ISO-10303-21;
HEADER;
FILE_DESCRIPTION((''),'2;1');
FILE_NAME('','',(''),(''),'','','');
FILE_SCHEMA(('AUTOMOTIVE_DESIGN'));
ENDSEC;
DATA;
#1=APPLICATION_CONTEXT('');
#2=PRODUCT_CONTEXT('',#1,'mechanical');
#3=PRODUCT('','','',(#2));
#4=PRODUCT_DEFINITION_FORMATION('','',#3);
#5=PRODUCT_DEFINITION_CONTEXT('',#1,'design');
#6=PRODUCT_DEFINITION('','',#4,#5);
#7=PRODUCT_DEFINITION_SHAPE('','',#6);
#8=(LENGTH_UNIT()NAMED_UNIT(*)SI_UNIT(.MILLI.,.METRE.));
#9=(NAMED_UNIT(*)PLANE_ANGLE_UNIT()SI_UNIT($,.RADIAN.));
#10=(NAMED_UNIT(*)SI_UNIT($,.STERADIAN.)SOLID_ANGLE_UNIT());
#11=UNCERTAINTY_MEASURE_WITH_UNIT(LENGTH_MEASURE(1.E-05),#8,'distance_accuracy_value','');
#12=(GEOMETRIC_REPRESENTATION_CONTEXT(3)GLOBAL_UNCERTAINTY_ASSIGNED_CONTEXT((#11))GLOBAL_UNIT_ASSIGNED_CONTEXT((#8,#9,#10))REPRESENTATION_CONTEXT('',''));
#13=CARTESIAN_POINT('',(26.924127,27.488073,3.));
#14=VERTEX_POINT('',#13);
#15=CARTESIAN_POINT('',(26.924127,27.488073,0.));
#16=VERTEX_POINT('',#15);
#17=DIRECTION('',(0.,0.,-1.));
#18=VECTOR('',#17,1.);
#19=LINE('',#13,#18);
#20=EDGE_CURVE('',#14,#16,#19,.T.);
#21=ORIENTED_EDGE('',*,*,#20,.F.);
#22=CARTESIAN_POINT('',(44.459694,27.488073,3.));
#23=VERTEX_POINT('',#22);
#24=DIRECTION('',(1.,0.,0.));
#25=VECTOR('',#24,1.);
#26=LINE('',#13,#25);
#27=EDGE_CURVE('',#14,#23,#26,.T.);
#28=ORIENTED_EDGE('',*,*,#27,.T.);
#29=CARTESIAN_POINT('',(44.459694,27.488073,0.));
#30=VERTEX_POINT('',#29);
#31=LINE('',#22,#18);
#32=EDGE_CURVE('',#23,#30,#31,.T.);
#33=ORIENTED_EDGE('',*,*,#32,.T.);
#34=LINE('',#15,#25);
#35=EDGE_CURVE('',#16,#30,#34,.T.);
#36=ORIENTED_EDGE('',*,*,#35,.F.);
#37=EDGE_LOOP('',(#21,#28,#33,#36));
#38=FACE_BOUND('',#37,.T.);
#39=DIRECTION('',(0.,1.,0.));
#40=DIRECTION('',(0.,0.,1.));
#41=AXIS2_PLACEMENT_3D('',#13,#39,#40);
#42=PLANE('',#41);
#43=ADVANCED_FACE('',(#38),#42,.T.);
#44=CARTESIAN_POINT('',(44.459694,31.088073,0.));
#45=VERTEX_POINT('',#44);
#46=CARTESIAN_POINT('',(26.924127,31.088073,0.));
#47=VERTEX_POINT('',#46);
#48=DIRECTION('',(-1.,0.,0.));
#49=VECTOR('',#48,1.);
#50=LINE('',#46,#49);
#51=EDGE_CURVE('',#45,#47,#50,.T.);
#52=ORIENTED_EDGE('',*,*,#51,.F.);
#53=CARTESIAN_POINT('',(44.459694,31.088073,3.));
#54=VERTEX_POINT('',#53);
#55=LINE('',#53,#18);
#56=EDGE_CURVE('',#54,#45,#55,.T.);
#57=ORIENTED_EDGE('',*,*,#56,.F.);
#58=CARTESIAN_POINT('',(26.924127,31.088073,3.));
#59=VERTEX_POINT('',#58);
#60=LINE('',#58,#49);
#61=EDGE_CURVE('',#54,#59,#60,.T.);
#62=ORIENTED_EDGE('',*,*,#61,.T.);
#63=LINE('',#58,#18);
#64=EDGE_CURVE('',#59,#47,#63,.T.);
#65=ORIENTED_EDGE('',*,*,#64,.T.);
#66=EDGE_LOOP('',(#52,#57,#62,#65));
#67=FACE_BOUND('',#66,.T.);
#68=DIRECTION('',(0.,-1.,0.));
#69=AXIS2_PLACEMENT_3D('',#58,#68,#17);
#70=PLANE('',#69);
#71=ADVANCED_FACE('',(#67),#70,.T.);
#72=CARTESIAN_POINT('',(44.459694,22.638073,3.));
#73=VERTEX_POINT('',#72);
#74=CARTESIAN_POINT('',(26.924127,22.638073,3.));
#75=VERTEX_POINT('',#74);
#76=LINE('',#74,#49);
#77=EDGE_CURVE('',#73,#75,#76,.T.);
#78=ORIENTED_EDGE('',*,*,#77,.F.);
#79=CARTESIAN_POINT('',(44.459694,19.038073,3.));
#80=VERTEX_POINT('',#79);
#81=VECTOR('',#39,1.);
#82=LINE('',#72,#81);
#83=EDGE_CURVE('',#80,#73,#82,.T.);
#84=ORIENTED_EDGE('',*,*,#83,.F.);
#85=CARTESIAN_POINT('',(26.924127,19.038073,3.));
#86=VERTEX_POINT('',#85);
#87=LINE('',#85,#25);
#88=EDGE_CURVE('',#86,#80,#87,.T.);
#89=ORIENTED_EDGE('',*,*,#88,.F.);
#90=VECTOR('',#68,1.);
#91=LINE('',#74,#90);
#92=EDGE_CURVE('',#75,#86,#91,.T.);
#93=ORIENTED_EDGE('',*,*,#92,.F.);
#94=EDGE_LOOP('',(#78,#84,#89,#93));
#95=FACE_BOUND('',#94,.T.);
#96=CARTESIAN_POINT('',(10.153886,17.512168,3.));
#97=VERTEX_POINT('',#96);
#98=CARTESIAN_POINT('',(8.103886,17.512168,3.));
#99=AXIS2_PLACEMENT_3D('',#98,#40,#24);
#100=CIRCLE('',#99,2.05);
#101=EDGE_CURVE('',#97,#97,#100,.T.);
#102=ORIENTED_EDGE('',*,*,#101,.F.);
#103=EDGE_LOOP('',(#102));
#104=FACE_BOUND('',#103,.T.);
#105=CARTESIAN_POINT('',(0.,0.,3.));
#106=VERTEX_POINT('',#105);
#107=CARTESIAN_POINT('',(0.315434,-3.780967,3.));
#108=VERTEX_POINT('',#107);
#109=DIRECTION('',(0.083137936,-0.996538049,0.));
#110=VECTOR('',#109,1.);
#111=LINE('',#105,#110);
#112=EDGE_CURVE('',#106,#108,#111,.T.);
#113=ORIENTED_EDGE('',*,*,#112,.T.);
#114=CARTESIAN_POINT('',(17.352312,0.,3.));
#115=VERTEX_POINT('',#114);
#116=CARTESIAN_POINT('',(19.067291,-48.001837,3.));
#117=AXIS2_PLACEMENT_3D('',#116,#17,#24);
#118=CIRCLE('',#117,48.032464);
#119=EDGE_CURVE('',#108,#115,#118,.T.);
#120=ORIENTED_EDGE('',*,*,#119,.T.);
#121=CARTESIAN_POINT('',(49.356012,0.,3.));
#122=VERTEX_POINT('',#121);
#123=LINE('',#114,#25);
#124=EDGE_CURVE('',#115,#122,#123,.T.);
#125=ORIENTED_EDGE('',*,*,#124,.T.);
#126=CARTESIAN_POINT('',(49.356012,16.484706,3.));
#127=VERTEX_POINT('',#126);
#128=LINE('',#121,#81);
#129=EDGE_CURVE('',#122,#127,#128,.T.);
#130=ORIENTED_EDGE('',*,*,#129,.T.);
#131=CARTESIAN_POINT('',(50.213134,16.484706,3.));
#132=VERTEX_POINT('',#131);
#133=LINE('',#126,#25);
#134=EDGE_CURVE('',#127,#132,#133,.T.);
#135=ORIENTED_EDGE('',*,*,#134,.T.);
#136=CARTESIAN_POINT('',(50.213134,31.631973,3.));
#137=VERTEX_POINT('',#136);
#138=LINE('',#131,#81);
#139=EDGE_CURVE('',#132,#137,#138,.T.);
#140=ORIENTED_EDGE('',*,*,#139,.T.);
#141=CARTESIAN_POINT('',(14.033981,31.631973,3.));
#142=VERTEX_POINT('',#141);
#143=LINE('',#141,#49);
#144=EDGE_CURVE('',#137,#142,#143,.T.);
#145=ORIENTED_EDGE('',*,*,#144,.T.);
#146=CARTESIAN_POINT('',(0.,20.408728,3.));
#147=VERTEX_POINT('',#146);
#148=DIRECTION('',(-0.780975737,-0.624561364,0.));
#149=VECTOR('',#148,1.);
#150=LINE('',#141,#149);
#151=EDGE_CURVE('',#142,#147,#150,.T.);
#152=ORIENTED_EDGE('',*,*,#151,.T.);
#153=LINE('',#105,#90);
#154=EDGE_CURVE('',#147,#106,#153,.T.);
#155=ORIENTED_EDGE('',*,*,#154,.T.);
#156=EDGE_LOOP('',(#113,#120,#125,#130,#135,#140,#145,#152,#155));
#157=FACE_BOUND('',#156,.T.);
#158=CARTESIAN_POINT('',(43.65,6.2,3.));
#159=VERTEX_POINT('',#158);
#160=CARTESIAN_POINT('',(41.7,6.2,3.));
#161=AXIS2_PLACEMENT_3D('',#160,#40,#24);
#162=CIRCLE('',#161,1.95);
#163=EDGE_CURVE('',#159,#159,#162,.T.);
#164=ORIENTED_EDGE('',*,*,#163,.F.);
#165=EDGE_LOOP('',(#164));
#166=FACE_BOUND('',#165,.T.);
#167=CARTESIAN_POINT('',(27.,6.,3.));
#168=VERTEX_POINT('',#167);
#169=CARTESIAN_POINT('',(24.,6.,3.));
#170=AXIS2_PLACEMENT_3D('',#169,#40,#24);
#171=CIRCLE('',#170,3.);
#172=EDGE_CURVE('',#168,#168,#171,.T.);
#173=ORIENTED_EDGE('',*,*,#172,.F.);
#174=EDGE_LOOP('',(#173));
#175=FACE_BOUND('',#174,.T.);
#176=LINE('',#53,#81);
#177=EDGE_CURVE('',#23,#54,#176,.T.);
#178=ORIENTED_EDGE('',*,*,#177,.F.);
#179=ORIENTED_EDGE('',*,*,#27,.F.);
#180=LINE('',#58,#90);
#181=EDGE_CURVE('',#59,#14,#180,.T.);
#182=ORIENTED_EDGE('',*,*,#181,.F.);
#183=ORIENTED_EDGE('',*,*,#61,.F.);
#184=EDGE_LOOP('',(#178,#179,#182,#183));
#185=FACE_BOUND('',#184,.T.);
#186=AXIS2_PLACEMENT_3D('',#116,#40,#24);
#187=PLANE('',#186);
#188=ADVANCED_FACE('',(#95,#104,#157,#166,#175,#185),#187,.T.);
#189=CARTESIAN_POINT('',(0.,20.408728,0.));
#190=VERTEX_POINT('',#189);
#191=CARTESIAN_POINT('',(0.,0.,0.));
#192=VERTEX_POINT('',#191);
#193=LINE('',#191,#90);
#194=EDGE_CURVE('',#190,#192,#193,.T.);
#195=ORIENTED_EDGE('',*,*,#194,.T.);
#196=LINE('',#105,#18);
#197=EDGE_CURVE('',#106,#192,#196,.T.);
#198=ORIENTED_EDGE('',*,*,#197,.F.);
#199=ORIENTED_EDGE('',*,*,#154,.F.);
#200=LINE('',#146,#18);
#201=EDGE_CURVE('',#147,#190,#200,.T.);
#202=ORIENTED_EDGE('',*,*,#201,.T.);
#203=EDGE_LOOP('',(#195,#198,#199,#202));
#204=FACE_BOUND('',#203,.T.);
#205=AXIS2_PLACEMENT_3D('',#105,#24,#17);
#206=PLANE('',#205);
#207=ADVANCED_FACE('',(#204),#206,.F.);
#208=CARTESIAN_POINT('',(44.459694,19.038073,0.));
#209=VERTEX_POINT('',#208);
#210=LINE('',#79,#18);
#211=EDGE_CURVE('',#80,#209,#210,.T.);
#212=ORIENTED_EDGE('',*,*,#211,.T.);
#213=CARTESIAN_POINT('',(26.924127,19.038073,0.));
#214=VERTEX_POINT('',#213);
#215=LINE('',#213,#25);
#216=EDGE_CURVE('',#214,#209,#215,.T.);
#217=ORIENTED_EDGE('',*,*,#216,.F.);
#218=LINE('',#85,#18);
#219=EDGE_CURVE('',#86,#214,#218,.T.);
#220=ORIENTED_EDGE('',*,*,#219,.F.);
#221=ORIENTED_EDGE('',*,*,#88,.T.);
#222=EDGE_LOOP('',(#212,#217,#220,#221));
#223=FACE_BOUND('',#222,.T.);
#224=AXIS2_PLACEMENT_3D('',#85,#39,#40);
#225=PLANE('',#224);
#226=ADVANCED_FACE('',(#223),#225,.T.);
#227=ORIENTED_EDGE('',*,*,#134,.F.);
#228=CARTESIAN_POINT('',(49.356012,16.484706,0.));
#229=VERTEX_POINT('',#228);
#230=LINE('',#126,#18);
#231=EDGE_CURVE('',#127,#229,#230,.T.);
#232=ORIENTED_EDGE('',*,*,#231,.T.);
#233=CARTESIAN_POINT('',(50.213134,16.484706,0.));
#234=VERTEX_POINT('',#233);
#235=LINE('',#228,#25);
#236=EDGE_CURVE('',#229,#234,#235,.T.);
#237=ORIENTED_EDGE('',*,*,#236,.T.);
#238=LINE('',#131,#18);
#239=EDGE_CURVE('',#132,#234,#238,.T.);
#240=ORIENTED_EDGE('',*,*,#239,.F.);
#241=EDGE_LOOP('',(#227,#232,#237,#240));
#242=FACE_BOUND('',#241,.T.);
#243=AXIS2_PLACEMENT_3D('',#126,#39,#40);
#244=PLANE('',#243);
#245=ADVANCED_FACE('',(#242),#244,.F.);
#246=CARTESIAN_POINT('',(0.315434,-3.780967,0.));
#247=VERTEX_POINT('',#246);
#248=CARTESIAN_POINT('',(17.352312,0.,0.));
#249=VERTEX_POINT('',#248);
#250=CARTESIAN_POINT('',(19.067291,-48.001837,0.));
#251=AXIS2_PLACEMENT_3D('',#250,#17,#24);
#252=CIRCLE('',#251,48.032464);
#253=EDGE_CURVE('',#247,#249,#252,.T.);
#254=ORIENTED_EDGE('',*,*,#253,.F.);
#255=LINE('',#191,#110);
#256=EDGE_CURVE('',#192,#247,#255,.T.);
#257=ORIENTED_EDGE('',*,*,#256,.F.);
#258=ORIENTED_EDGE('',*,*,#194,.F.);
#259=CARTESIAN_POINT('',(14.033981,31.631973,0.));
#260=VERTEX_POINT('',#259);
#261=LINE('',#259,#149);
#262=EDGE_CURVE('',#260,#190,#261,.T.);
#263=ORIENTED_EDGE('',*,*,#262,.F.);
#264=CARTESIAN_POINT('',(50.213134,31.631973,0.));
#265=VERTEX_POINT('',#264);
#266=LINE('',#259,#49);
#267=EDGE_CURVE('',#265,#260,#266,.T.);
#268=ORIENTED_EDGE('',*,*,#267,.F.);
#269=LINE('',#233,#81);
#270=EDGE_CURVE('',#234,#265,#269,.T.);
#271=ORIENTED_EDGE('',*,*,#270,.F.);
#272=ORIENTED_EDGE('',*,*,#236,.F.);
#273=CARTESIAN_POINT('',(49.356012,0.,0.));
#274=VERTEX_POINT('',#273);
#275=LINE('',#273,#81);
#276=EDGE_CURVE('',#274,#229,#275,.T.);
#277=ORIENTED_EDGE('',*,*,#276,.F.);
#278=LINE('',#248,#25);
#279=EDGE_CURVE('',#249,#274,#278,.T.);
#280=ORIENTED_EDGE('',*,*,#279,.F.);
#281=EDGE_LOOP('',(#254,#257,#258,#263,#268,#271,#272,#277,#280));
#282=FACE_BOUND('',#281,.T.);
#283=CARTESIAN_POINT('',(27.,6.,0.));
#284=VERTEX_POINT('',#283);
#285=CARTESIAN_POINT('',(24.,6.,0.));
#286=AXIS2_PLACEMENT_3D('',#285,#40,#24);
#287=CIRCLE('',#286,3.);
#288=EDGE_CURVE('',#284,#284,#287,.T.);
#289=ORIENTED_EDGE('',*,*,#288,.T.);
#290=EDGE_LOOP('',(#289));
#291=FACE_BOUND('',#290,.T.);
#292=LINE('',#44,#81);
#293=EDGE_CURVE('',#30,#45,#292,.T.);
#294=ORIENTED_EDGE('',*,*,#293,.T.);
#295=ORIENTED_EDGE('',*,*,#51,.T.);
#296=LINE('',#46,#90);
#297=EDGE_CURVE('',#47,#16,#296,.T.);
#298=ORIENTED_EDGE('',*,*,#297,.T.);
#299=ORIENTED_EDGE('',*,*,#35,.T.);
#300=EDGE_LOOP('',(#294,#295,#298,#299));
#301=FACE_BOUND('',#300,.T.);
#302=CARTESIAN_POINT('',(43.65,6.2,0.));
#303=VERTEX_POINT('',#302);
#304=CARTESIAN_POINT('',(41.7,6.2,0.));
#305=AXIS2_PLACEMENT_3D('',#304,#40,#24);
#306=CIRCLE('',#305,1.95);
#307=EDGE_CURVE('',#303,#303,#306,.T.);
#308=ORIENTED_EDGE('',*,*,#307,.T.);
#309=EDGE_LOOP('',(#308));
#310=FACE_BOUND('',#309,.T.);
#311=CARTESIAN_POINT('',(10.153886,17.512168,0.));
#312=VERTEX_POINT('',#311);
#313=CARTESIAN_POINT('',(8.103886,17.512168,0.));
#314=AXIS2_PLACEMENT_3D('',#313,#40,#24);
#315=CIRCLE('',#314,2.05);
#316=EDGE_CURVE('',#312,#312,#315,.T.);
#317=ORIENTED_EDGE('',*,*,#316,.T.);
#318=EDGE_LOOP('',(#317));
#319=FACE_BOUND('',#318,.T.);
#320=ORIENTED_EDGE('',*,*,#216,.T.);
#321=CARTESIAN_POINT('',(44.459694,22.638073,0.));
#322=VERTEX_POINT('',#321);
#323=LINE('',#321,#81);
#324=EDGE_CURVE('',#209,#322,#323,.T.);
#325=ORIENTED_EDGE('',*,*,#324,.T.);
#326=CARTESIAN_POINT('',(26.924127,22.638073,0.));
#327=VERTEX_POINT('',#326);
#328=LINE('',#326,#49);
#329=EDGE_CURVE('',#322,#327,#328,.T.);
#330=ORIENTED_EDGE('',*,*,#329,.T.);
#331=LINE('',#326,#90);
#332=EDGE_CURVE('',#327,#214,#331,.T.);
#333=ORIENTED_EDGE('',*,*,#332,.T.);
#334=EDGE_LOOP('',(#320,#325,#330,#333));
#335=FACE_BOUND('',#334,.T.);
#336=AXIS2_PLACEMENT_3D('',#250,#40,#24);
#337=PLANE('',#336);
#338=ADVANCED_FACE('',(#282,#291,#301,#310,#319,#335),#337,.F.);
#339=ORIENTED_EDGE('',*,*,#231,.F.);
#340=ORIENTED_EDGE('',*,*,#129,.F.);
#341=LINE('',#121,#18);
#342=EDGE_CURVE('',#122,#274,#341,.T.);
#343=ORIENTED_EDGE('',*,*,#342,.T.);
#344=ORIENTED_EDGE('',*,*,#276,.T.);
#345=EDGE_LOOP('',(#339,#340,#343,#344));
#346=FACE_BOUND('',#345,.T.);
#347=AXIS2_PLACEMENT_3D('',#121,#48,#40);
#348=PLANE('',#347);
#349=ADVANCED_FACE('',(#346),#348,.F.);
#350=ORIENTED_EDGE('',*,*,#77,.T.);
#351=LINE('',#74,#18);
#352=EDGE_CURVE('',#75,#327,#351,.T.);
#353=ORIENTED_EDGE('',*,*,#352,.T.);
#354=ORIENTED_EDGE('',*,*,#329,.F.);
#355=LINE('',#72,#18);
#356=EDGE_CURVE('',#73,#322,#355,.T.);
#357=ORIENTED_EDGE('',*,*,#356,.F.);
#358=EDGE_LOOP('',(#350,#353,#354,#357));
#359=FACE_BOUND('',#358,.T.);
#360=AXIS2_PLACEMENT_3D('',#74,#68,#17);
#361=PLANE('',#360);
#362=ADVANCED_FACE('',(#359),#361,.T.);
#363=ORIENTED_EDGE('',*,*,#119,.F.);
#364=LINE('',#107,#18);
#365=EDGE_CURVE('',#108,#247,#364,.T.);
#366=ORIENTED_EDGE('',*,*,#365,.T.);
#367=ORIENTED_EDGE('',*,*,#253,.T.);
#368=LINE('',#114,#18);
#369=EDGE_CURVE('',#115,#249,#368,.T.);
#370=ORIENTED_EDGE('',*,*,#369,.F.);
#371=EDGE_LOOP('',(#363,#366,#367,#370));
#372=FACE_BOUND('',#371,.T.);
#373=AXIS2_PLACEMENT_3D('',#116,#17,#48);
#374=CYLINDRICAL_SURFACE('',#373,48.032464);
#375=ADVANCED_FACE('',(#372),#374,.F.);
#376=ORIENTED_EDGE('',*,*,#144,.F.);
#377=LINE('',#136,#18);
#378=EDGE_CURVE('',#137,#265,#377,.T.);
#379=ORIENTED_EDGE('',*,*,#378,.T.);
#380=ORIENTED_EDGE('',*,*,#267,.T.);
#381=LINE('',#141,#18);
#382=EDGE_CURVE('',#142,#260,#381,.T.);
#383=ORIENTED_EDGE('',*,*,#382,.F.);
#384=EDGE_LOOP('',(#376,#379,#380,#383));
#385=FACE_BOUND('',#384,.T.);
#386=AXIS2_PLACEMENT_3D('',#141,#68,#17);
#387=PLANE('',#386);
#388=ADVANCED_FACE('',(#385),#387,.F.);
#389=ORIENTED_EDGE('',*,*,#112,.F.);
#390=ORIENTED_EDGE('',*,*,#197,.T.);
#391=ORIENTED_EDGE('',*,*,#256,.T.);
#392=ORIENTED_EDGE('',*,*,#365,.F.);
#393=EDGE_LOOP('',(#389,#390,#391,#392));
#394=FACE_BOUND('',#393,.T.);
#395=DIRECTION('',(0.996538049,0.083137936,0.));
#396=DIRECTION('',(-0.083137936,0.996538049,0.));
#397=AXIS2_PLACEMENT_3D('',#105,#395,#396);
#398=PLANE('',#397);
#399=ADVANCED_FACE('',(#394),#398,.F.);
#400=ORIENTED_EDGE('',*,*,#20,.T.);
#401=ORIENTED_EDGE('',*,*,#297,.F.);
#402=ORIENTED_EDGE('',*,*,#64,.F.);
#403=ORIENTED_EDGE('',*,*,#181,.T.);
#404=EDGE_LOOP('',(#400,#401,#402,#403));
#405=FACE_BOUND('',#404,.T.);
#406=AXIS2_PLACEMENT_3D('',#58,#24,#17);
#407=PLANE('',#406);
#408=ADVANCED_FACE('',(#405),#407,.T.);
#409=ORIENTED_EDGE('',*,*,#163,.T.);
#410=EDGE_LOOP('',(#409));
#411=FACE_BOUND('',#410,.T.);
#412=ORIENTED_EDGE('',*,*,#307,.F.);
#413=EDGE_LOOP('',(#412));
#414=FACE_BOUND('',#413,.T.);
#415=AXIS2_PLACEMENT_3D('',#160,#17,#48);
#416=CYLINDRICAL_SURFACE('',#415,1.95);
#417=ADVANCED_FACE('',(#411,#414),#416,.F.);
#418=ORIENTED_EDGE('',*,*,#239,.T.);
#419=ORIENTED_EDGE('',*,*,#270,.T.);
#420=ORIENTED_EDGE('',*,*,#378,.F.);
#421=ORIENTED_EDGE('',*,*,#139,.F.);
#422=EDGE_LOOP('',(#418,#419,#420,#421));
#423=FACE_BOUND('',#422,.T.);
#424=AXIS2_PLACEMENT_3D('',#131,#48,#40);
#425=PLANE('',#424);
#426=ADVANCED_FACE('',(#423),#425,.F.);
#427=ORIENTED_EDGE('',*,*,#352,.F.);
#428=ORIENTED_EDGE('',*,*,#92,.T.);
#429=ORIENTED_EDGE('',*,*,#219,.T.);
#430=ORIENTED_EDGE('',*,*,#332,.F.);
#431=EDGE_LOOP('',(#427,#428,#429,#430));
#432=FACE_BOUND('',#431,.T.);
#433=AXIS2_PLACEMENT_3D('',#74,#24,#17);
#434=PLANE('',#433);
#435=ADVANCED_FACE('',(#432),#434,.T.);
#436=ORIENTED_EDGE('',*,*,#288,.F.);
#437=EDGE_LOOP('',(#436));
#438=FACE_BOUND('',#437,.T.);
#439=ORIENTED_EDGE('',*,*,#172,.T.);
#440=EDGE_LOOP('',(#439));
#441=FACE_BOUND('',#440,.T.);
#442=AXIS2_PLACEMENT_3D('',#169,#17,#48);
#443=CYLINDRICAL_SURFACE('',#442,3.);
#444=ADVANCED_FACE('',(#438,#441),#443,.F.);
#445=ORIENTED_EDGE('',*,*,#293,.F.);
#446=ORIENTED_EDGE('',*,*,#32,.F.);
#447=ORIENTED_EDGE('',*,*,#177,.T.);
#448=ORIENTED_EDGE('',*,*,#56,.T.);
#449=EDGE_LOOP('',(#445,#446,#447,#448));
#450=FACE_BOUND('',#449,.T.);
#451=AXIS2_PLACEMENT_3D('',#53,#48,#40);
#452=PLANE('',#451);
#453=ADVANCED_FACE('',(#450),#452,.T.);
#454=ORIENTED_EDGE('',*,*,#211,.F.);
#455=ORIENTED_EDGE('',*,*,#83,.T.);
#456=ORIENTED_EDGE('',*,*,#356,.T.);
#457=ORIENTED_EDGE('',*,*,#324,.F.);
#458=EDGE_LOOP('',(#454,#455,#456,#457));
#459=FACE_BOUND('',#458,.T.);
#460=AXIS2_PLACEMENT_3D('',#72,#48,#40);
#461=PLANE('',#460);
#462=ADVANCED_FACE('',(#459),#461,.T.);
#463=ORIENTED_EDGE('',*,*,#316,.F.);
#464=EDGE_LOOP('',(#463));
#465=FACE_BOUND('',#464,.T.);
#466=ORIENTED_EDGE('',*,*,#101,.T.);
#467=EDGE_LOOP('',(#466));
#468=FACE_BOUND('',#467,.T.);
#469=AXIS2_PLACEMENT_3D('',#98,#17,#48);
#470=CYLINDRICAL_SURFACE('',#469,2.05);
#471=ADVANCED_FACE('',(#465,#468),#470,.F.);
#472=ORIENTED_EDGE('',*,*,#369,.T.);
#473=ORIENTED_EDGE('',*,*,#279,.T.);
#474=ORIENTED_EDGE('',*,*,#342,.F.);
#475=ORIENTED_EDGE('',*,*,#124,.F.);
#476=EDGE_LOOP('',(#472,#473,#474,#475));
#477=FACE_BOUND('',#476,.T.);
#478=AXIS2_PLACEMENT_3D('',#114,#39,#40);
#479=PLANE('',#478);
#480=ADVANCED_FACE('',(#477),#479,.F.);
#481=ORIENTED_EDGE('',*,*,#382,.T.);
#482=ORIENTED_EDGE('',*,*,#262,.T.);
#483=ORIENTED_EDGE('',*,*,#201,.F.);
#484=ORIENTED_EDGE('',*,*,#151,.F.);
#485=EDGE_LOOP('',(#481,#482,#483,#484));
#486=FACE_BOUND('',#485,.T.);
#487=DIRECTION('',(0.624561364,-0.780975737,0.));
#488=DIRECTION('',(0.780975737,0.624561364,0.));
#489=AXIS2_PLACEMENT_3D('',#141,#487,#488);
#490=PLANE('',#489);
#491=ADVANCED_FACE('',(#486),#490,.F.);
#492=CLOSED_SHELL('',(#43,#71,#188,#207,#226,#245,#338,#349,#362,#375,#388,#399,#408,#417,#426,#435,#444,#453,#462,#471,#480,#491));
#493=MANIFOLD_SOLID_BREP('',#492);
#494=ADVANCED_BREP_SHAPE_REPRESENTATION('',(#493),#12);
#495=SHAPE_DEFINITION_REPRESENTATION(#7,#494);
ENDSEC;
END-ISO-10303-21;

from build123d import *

# Parameters (mm, degrees)
SKETCH_1_R      = 3
SKETCH_1_R_2    = 1.95
SKETCH_1_R_3    = 2.05
SKETCH_1_W      = 17.535566723
SKETCH_1_H      = 3.6
EXTRUDE_1_DEPTH = 3


with BuildPart() as part:
    # 스케치1 → 보스-돌출1 (new body)
    with BuildSketch(Plane.XY):
        with BuildLine():
            Line((14.033980913, 31.631973376), (0, 20.408728084))
            Line((0, 20.408728084), (0, 0))
            Line((0, 0), (0.315433782, -3.780966668))
            ThreePointArc((0.315433782, -3.780966668), (8.660717355, -1.110252043), (17.352311853, 0))
            Line((17.352311853, 0), (49.356011681, 0))
            Line((49.356011681, 0), (49.356011681, 16.484705835))
            Line((49.356011681, 16.484705835), (50.213133896, 16.484705835))
            Line((50.213133896, 16.484705835), (50.213133896, 31.631973376))
            Line((50.213133896, 31.631973376), (14.033980913, 31.631973376))
        make_face()
        with Locations((24, 6)):
            Circle(SKETCH_1_R, mode=Mode.SUBTRACT)
        with Locations((41.7, 6.2)):
            Circle(SKETCH_1_R_2, mode=Mode.SUBTRACT)
        with Locations((8.103885944, 17.512168243)):
            Circle(SKETCH_1_R_3, mode=Mode.SUBTRACT)
        with Locations((35.691910847, 29.288073102)):
            Rectangle(SKETCH_1_W, SKETCH_1_H, mode=Mode.SUBTRACT)
        with Locations((35.691910847, 20.838073102)):
            Rectangle(SKETCH_1_W, SKETCH_1_H, mode=Mode.SUBTRACT)
    extrude(amount=EXTRUDE_1_DEPTH)


solid = part.part
